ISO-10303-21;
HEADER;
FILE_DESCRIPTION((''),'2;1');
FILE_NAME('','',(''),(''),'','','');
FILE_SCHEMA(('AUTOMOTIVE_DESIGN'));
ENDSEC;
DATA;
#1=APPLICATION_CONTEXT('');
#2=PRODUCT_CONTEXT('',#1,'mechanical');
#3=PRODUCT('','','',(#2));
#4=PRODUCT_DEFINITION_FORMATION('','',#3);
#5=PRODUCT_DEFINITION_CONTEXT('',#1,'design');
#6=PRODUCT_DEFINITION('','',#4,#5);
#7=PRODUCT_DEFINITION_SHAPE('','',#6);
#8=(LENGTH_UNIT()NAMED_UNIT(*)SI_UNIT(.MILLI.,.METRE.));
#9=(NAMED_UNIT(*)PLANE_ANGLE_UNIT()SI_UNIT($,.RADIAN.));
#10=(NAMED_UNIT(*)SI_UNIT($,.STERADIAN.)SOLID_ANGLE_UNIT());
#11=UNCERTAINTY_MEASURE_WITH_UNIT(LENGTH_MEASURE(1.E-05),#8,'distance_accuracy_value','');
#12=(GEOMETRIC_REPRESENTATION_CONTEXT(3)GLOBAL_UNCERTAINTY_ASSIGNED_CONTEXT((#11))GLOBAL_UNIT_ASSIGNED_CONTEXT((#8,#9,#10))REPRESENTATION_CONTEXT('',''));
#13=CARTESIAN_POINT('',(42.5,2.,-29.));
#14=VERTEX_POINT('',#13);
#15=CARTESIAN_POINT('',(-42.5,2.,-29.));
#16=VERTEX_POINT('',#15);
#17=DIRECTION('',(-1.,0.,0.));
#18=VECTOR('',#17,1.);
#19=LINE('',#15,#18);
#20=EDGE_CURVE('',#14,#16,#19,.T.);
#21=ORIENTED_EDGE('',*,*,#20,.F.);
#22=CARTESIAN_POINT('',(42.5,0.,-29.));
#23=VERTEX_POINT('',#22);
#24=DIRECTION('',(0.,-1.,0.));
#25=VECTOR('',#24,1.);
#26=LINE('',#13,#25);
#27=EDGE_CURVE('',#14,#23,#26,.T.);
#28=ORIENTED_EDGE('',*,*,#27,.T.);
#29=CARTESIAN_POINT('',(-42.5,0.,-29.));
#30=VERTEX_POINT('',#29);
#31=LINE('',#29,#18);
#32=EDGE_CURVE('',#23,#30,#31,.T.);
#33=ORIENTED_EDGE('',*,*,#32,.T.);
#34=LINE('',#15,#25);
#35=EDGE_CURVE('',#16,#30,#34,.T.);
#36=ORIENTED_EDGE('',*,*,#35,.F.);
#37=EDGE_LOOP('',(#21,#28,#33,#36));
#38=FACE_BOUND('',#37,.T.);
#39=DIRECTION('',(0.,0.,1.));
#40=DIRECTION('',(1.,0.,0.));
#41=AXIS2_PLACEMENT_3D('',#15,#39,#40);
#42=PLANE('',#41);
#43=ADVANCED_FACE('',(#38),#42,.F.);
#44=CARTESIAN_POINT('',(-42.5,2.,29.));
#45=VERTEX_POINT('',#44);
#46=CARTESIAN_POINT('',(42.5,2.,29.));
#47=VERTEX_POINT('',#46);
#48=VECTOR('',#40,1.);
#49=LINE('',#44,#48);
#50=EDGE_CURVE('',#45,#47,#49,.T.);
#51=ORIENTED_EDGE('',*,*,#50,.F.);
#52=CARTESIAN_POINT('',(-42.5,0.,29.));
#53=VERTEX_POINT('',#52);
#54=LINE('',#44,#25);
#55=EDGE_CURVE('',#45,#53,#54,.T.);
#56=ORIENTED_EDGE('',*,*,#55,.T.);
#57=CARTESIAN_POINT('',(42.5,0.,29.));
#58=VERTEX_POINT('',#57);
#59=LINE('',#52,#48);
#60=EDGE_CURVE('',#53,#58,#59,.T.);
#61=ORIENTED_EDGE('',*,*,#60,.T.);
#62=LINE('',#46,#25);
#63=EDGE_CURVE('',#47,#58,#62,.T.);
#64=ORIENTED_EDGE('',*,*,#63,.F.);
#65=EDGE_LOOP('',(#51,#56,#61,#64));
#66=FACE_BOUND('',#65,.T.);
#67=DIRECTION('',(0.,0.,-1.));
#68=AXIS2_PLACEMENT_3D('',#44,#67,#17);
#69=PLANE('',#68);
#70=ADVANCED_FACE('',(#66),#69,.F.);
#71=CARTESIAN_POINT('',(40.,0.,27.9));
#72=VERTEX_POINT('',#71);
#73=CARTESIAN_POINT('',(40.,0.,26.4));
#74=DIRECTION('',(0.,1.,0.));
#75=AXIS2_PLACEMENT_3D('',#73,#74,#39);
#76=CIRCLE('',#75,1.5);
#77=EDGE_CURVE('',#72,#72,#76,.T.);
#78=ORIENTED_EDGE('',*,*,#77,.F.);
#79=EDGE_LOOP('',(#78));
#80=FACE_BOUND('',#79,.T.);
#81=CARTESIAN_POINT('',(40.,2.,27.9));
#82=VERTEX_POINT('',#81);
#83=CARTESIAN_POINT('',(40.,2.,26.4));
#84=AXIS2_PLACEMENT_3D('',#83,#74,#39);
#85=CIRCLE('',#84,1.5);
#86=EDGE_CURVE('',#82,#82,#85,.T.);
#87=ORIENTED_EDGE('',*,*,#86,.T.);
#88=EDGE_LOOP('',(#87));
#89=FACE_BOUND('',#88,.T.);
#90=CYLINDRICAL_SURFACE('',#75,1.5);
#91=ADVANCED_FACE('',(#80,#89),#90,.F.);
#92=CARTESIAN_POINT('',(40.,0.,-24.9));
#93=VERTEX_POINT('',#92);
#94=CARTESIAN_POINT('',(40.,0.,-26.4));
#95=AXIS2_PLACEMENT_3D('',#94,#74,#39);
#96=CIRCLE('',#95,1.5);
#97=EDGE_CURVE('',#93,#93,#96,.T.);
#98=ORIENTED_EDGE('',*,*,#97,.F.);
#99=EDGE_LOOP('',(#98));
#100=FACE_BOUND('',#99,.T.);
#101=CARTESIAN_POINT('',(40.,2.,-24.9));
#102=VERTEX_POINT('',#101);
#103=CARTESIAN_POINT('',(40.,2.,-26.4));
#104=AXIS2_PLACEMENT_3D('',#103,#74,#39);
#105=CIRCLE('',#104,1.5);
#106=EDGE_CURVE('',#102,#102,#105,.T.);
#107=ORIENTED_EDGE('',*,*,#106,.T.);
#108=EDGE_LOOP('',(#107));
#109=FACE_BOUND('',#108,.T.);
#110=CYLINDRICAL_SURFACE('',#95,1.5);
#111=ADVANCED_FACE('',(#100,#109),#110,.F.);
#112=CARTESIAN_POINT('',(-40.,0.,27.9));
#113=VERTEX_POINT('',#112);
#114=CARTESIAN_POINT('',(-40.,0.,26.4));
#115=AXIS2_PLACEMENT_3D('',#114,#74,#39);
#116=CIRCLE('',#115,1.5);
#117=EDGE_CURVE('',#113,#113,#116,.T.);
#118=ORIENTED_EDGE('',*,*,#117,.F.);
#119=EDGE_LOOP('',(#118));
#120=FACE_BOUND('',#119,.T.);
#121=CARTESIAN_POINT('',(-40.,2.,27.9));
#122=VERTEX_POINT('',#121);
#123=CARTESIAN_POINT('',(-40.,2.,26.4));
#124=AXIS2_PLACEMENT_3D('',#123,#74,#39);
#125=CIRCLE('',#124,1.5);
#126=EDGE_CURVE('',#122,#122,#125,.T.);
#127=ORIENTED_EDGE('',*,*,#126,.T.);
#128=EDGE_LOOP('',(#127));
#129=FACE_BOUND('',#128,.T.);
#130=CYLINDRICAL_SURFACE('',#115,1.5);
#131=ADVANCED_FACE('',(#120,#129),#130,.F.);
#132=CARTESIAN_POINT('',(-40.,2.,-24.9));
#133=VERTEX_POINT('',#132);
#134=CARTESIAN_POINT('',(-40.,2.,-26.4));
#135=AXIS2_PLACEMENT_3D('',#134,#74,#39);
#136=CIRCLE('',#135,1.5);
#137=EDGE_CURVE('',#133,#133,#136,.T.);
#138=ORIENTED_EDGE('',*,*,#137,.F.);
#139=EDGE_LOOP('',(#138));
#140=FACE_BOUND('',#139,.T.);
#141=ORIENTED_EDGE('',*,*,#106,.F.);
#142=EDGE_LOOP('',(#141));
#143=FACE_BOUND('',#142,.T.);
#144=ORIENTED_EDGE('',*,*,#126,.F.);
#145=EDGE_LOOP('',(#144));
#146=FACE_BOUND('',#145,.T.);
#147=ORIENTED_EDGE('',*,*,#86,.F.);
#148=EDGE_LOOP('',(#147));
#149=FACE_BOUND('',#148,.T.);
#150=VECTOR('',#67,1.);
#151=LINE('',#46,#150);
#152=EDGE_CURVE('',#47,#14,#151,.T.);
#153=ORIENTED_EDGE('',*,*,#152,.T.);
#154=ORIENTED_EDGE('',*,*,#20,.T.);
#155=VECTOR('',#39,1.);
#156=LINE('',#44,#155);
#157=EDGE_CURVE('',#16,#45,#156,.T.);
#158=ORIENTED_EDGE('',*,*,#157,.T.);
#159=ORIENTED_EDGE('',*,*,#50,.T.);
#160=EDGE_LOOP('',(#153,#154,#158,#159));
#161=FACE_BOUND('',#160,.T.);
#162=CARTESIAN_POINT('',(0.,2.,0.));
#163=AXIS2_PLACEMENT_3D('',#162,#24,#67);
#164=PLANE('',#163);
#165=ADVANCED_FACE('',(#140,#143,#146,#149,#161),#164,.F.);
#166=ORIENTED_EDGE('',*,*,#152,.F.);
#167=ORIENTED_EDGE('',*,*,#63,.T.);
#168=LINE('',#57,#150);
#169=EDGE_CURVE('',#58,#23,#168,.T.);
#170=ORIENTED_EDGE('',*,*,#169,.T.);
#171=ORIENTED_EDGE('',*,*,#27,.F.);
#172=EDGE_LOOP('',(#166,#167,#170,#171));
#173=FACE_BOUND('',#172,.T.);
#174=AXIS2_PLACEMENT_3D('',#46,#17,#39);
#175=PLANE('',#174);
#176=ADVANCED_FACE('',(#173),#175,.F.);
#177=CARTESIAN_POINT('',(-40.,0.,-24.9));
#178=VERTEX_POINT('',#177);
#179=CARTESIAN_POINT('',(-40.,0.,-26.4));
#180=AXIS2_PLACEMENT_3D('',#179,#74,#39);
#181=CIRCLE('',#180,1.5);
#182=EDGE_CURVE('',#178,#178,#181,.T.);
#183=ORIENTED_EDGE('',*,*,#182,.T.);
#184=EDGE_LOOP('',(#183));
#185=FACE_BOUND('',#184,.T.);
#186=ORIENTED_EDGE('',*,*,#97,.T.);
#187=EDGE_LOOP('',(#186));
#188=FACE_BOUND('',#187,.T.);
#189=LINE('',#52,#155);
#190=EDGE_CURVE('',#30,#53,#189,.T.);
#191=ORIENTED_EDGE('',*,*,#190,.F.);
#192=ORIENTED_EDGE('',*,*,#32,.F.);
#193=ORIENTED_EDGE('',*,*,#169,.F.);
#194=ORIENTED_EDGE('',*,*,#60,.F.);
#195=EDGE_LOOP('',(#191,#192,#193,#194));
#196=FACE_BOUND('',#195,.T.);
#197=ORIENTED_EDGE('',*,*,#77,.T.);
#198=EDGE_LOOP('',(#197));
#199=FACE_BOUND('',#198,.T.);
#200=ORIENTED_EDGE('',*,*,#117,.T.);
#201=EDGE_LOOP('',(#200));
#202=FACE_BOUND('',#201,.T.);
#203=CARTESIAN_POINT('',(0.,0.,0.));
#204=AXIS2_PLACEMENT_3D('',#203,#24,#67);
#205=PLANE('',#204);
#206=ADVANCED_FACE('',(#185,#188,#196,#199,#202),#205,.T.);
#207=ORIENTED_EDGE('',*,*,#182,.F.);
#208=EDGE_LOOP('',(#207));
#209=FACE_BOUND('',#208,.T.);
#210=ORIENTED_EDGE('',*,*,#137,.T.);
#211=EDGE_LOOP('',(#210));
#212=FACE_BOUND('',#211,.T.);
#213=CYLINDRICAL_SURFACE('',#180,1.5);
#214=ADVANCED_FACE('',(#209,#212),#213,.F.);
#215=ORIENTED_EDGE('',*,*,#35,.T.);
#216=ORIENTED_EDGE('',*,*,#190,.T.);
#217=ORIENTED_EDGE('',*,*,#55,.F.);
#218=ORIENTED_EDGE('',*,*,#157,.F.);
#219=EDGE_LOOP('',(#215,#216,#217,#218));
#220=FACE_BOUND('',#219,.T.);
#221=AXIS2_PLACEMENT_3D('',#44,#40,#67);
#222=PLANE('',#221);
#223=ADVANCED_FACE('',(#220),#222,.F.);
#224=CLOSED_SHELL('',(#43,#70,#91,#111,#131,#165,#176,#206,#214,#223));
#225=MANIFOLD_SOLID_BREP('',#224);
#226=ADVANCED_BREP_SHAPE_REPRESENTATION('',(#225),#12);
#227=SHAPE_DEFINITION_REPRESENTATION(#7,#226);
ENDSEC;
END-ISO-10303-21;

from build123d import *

# Parameters (mm, degrees)
SKETCH_1_W          = 85
SKETCH_1_H          = 58
EXTRUDE_1_DEPTH     = 2
SKETCH_2_R          = 1.5
CUT_EXTRUDE_1_DEPTH = 2


with BuildPart() as part:
    # 草图1 → 凸台-拉伸1 (new body)
    with BuildSketch(Plane(origin=(0, 0, 0), x_dir=(1, 0, 0), z_dir=(0, 1, 0))):
        Rectangle(SKETCH_1_W, SKETCH_1_H)
    extrude(amount=EXTRUDE_1_DEPTH)

    # 草图2 → 切除-拉伸1 (cut)
    with BuildSketch(Plane(origin=(0, 2, 0), x_dir=(1, 0, 0), z_dir=(0, 1, 0))):
        with Locations(Location((-40, 26.4, 0), (0, 0, 270))):
            Circle(SKETCH_2_R)
        with Locations(Location((40, 26.4, 0), (0, 0, 270))):
            Circle(SKETCH_2_R)
        with Locations(Location((40, -26.4, 0), (0, 0, 270))):
            Circle(SKETCH_2_R)
        with Locations(Location((-40, -26.4, 0), (0, 0, 270))):
            Circle(SKETCH_2_R)
    extrude(amount=-CUT_EXTRUDE_1_DEPTH, mode=Mode.SUBTRACT)


solid = part.part
